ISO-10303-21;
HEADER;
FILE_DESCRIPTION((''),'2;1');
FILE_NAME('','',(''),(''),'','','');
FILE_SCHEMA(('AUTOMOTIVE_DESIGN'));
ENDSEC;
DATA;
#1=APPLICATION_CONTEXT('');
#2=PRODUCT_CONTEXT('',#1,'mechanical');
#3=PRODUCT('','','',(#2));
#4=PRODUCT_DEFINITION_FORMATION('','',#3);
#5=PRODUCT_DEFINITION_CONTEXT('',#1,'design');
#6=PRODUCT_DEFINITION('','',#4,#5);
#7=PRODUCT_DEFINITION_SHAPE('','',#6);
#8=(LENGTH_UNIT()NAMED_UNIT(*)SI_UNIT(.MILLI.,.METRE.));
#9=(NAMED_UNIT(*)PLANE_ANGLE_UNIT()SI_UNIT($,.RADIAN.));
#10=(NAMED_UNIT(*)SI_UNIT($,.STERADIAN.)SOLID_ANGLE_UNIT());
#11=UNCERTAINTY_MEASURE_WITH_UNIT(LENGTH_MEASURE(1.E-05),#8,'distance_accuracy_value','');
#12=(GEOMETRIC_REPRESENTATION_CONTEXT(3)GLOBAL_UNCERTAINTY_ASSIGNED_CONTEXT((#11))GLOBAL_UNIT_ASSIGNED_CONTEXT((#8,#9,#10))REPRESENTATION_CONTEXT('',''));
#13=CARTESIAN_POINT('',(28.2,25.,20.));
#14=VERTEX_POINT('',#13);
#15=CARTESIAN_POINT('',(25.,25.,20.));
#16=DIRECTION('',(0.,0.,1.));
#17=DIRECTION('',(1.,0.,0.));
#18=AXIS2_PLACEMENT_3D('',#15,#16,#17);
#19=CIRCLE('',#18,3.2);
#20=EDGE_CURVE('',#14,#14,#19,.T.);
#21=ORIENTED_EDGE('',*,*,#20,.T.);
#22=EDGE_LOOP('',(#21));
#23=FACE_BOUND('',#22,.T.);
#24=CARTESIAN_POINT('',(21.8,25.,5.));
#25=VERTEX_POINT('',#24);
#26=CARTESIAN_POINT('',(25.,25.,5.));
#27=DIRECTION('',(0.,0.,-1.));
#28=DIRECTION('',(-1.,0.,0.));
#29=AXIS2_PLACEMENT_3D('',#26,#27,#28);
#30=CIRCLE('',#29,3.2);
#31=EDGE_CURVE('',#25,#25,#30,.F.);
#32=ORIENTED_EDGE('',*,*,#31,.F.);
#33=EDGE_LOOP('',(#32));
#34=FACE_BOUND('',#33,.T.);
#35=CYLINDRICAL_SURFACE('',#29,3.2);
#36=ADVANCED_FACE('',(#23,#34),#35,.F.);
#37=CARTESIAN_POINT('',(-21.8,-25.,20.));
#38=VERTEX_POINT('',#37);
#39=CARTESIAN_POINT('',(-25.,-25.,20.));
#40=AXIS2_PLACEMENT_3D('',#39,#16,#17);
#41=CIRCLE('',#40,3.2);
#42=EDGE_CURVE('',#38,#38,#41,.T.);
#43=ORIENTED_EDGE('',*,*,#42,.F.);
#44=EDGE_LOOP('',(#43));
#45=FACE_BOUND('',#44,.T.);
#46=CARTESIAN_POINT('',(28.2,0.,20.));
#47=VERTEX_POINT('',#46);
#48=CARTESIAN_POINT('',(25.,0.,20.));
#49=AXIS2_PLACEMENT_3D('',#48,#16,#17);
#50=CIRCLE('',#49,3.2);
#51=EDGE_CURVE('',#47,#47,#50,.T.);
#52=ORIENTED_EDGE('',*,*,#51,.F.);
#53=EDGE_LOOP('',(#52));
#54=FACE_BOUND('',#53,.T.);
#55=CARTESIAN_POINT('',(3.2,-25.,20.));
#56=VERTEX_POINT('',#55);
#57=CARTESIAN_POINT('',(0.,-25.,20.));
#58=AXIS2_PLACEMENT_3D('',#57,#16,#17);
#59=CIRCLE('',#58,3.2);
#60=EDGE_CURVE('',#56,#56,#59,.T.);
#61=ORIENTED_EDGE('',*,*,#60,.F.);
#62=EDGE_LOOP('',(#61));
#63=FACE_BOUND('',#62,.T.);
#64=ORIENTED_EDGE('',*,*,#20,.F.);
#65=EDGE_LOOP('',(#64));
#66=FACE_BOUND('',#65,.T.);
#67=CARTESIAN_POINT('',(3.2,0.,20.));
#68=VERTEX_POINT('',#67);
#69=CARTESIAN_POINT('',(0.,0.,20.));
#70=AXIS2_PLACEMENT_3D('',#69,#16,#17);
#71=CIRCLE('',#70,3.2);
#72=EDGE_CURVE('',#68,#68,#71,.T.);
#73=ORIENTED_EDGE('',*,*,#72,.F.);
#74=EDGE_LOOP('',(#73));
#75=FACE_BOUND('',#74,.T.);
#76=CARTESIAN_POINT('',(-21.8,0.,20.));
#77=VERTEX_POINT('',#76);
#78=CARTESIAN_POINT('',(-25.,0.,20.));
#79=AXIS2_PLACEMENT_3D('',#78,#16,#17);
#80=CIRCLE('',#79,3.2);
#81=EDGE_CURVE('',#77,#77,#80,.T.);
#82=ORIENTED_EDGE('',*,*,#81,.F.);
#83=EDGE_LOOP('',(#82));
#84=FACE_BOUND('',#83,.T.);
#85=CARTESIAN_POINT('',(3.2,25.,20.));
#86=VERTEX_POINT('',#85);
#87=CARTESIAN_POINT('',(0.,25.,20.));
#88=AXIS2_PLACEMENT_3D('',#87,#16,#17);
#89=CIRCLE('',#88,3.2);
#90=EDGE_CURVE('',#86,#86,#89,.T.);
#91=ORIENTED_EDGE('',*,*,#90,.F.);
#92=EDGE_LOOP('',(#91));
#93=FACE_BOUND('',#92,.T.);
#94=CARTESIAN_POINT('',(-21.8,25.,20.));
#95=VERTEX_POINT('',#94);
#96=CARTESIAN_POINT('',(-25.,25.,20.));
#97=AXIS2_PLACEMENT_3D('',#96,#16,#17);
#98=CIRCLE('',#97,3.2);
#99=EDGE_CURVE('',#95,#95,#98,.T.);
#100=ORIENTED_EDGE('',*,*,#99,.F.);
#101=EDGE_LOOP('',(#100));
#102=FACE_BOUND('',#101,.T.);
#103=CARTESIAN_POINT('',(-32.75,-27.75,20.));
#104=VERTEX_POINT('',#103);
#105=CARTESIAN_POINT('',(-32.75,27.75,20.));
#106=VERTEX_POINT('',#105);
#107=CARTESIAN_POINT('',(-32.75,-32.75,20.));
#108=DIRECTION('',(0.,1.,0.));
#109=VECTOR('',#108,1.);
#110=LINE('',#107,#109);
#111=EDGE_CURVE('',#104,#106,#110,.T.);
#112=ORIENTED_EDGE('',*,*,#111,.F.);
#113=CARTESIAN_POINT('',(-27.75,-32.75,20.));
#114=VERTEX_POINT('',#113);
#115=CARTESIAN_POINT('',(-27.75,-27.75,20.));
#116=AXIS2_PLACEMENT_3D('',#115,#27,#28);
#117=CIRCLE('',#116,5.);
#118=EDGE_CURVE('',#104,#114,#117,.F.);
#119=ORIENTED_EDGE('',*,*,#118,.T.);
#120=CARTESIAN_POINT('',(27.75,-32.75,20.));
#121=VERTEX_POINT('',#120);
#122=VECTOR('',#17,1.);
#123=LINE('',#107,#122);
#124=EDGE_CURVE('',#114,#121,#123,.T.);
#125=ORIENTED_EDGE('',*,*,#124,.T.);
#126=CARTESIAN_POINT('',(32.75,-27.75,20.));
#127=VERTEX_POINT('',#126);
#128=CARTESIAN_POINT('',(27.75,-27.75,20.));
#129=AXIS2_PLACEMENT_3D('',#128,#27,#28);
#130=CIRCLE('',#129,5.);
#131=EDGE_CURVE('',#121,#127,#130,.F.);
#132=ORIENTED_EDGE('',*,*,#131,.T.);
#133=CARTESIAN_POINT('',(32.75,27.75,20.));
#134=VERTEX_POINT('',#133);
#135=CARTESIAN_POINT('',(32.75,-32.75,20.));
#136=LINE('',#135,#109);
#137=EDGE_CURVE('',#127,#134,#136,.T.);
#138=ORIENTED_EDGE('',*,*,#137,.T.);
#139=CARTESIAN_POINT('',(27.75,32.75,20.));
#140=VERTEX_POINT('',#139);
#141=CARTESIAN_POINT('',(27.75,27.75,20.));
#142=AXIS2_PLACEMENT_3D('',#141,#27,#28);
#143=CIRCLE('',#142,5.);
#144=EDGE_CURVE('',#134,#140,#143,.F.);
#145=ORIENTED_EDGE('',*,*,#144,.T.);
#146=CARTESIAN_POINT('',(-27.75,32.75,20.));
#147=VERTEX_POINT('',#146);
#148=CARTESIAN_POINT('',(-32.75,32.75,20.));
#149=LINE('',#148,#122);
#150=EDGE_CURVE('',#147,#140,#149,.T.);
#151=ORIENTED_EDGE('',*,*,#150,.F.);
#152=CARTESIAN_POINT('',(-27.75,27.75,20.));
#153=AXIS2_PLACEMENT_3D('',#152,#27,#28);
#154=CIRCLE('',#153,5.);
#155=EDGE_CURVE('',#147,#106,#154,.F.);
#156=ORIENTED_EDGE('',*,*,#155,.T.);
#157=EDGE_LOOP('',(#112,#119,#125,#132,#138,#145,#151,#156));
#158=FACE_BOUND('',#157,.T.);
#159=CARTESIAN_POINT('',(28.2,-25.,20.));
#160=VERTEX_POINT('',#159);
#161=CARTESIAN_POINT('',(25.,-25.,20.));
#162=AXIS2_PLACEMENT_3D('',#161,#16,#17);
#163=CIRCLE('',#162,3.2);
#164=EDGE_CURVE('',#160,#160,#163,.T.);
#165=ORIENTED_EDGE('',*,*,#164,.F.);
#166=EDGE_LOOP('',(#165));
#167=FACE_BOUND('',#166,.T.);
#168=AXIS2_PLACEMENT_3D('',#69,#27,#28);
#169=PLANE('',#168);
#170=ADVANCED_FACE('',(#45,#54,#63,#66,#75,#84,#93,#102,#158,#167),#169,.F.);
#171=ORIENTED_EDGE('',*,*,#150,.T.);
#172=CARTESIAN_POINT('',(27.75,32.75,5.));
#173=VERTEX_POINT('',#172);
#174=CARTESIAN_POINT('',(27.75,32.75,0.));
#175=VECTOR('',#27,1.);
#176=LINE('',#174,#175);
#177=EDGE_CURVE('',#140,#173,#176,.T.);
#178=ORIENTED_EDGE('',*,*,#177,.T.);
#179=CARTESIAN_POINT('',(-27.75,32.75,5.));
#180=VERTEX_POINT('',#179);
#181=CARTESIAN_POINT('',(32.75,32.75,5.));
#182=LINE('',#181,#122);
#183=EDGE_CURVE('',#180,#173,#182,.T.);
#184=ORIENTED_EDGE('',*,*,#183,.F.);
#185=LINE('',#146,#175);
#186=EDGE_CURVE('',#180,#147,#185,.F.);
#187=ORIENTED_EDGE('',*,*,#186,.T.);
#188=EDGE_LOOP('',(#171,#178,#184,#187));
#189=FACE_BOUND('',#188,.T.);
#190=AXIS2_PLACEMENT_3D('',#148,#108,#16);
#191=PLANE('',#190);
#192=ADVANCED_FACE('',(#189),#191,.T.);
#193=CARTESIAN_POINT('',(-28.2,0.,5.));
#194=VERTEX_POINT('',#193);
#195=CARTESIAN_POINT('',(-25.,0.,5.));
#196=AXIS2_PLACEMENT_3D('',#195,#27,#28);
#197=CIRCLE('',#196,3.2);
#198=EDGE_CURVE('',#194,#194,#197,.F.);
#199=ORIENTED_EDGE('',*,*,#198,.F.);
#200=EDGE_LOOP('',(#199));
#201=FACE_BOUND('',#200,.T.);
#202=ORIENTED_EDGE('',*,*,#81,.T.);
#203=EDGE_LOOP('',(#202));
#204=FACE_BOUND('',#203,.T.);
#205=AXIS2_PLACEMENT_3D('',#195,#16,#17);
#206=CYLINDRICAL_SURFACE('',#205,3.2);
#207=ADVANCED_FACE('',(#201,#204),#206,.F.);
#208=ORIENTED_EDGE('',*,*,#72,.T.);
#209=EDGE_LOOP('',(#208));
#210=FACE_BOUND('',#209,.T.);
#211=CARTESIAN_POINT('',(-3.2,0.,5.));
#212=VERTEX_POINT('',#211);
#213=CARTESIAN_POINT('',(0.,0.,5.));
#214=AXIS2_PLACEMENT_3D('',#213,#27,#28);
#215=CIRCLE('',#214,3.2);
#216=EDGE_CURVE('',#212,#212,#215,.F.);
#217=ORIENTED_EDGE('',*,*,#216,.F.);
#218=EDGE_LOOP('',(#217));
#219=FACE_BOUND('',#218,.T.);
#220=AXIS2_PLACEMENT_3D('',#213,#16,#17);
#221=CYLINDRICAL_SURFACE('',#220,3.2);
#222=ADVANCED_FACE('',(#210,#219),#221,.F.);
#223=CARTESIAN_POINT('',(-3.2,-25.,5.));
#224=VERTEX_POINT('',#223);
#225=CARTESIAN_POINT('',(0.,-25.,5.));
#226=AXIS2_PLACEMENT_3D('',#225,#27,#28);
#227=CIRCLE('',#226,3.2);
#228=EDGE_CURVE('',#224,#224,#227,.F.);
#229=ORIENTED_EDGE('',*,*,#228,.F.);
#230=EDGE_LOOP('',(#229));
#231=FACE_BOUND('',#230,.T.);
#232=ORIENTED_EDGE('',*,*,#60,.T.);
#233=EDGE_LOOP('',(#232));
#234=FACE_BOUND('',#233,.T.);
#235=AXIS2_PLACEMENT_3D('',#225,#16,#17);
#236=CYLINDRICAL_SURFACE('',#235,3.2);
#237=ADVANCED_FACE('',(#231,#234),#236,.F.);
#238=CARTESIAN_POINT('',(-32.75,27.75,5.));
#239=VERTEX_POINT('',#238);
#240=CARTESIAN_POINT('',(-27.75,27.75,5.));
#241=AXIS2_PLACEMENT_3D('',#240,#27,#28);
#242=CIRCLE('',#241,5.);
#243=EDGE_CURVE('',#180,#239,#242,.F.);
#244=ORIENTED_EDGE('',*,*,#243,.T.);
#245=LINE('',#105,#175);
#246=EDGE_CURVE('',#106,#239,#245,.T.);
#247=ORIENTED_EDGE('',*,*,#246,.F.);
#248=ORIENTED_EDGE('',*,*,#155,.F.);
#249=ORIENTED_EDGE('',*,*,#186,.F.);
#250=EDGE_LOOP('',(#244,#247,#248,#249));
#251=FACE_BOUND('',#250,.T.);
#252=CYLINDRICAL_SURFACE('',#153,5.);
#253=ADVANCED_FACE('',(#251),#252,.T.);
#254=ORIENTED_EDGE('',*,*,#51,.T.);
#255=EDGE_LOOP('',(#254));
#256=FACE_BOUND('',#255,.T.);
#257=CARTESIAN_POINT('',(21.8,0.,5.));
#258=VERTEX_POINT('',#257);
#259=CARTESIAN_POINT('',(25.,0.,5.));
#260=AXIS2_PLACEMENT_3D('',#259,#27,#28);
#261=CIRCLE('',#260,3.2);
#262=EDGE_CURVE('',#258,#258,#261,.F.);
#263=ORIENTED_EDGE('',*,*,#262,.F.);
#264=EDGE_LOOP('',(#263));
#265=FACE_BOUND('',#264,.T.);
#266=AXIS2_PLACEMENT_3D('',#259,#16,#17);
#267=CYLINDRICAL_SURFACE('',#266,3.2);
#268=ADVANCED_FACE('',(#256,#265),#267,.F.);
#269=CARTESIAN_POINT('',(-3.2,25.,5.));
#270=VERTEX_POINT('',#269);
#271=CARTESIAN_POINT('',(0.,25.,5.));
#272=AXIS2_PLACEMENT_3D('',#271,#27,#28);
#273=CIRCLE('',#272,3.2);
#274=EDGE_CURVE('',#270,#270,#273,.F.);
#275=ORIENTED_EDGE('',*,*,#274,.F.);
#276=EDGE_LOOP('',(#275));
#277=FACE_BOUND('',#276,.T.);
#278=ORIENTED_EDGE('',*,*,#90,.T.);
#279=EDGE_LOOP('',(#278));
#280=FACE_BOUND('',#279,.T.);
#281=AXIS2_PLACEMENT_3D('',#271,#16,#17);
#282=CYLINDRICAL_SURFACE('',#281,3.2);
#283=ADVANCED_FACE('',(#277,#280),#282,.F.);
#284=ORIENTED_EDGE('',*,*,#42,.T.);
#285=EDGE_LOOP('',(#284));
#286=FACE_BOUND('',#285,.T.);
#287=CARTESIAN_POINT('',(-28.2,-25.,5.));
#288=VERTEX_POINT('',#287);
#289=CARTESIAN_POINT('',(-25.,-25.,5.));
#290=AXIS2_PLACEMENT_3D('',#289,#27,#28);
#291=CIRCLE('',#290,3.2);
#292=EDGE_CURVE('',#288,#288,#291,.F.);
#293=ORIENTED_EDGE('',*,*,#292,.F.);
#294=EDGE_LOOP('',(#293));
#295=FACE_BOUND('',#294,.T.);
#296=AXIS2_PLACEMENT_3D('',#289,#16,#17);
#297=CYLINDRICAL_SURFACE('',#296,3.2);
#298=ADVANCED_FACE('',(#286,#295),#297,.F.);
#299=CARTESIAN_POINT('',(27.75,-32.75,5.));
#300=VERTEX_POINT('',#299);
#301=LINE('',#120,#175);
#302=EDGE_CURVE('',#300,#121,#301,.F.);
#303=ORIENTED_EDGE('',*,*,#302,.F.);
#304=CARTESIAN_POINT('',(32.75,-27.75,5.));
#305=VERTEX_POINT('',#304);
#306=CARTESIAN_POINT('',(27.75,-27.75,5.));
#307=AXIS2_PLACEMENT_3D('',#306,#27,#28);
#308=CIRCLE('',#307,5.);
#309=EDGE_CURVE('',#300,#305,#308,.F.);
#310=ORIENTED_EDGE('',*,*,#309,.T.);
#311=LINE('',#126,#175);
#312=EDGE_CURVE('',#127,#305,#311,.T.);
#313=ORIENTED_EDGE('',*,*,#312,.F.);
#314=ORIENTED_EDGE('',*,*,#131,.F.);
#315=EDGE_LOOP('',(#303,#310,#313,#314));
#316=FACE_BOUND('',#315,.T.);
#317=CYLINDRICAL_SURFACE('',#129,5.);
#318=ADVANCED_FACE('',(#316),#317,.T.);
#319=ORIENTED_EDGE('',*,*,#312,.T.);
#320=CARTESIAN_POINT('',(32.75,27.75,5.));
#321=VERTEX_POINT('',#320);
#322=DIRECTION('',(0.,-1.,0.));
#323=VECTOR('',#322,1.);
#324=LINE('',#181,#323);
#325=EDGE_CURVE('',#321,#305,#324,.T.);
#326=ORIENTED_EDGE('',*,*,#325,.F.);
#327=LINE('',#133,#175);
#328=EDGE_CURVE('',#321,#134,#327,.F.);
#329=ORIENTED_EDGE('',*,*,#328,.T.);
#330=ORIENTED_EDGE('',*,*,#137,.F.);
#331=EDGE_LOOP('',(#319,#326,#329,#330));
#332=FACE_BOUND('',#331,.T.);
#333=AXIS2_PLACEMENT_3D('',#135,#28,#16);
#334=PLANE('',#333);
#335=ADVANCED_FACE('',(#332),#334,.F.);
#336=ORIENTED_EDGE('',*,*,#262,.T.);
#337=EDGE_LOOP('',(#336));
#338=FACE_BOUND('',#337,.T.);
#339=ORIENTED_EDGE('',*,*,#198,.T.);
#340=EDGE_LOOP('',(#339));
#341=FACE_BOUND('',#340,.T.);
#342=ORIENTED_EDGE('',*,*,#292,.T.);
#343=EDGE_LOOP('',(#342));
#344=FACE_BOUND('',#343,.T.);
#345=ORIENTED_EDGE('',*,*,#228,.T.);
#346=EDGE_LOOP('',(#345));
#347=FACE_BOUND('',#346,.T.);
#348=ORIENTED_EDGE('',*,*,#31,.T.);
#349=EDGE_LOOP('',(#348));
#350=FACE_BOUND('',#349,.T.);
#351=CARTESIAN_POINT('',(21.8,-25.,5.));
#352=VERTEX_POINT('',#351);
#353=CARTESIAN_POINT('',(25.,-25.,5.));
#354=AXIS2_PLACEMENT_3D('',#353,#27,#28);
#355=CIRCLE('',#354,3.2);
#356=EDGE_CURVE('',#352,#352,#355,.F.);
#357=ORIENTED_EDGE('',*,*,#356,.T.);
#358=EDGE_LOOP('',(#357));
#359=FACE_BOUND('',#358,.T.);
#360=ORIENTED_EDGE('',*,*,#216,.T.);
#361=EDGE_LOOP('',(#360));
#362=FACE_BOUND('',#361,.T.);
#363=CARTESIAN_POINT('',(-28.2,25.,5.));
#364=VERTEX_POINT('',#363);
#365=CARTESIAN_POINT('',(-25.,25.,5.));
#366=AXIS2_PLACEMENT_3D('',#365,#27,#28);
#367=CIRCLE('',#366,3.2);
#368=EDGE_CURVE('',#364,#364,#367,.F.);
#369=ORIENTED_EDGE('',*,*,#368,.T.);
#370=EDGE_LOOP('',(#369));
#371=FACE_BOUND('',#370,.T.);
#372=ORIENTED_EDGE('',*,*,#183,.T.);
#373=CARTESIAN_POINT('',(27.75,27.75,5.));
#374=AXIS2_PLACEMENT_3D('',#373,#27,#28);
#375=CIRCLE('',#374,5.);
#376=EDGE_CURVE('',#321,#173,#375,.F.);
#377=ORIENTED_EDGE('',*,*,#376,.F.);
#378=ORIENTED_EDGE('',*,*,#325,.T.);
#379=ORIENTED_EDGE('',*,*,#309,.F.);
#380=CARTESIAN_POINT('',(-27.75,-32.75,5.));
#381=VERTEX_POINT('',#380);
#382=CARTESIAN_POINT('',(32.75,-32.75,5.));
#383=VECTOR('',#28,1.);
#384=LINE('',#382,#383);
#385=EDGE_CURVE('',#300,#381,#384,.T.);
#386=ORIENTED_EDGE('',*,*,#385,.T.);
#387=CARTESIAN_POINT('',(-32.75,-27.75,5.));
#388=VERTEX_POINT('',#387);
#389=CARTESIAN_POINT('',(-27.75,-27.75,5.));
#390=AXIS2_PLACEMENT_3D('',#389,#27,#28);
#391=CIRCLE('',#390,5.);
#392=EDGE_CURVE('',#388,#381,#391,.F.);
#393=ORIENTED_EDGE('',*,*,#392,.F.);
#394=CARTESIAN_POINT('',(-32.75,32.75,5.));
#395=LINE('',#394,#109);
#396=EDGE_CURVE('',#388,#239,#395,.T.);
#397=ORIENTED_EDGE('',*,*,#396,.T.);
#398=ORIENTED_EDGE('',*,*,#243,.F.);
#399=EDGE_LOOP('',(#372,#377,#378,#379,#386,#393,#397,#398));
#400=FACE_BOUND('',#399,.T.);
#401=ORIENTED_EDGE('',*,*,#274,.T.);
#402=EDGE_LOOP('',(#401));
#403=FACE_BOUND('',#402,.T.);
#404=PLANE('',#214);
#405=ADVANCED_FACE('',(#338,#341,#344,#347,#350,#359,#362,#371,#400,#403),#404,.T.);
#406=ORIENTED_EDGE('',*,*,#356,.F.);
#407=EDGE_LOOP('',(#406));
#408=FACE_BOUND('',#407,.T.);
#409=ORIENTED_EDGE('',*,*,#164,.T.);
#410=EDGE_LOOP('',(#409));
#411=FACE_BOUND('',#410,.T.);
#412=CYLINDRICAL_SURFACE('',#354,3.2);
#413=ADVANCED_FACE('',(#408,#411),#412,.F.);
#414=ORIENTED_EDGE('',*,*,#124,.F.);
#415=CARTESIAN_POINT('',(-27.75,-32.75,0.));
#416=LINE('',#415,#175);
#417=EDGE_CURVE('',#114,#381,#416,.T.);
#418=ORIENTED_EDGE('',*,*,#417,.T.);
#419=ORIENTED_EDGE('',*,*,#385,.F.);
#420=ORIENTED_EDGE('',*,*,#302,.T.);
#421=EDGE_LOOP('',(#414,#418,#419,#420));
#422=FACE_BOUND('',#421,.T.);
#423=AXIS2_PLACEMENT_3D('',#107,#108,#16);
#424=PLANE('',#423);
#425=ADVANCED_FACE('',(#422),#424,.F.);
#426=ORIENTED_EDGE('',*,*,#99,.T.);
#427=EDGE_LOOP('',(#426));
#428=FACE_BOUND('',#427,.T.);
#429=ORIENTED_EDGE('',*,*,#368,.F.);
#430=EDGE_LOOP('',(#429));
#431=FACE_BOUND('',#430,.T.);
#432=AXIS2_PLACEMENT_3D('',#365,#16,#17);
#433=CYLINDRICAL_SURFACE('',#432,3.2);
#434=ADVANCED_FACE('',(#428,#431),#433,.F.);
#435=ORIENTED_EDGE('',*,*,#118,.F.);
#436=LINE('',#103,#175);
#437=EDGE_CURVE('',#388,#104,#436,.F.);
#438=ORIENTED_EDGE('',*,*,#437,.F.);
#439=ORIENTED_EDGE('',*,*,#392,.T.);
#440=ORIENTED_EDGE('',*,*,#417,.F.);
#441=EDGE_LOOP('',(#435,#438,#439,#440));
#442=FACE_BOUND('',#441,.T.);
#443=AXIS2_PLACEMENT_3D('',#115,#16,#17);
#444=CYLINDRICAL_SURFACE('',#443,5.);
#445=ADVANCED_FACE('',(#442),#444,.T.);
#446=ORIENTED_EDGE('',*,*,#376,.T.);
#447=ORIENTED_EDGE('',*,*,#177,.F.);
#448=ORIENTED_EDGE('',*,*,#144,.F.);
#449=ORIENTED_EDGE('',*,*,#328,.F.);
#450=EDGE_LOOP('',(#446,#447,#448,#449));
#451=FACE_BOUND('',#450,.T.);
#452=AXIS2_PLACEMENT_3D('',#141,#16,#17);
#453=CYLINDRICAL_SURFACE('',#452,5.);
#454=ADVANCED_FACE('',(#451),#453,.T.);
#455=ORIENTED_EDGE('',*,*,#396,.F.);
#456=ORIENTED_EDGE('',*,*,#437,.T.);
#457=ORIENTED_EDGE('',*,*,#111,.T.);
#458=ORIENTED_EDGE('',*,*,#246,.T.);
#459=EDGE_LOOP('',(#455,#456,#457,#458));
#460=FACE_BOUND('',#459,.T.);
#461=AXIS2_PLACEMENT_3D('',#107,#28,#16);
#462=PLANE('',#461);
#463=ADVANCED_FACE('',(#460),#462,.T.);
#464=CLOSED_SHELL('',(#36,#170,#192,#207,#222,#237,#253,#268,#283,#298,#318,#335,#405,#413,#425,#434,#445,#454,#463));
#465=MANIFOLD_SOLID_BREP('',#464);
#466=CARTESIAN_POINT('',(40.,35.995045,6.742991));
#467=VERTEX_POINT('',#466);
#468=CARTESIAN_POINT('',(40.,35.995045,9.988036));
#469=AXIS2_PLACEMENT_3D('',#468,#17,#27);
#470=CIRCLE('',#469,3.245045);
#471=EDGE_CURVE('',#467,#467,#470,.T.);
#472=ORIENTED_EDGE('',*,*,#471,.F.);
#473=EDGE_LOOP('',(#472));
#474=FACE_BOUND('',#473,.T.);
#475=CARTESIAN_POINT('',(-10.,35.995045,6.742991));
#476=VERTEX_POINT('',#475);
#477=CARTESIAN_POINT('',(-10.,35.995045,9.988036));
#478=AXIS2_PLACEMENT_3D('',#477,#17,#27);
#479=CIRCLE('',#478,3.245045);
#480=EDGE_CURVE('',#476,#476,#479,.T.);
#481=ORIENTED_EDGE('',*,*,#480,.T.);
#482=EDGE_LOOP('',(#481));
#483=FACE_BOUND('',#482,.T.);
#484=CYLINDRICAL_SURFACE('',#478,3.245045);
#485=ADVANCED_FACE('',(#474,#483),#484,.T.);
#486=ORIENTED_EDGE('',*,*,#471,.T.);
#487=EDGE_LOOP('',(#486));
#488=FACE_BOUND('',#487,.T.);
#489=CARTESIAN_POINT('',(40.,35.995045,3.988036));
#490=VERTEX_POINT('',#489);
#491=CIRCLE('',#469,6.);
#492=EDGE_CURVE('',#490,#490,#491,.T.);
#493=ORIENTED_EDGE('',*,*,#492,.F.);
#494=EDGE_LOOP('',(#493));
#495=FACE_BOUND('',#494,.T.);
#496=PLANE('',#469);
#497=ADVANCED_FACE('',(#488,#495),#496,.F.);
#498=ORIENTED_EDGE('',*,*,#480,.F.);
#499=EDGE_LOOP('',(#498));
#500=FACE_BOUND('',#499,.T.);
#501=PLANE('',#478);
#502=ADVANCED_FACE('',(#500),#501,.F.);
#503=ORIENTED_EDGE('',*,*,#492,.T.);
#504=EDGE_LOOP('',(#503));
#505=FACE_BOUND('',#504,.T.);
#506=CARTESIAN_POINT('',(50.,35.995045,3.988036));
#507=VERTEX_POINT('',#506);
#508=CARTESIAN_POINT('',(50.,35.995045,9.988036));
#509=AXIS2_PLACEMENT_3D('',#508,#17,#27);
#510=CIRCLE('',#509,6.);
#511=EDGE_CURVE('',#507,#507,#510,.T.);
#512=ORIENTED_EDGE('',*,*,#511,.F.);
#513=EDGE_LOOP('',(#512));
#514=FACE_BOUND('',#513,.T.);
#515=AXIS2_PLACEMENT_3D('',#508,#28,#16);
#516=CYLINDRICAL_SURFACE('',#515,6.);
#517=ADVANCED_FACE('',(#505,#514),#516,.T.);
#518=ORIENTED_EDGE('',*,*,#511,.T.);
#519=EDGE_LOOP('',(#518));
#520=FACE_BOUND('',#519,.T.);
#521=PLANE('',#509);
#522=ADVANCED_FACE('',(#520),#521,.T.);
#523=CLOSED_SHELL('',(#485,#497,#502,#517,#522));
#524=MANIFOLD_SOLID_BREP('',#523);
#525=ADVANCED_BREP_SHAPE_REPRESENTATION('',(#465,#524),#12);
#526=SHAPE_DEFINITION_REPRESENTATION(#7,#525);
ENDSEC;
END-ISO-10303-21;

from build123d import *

# Parameters (mm, degrees)
SKETCH_1_W           = 65.5
SKETCH_1_H           = 65.5
EXTRUDE_1_DEPTH      = 20
FILLET_1_R           = 5
EXTRUDE_2_DEPTH      = 40
EXTRUDE_2_DEPTH_BACK = 10
SKETCH_5_R           = 3.245044742
SKETCH_6_R           = 6
EXTRUDE_3_DEPTH      = 10
SKETCH_7_R           = 3.2
CUT_EXTRUDE_2_DEPTH  = 5
CUT_EXTRUDE_START    = -15
SKETCH_3_R           = 3.2
CUT_EXTRUDE_3_DEPTH  = 15
SKETCH_9_W           = 65.5
SKETCH_9_H           = 65.5
CUT_EXTRUDE_5_DEPTH  = 5


with BuildPart() as part:
    # 스케치1 → 보스-돌출1 (new body)
    with BuildSketch(Plane.XY):
        Rectangle(SKETCH_1_W, SKETCH_1_H)
    extrude(amount=EXTRUDE_1_DEPTH)

    # 필렛1
    fillet_1_edges = [part.edges().sort_by_distance(p)[0] for p in [
        (-32.75, -32.75, 10),
        (32.75, -32.75, 10),
        (32.75, 32.75, 10),
        (-32.75, 32.75, 10),
    ]]
    fillet(fillet_1_edges, radius=FILLET_1_R)

    # 스케치7 → 컷-돌출2 (cut)
    with BuildSketch(Plane(origin=(0, 0, 0), x_dir=(-1, 0, 0), z_dir=(0, 0, -1))):
        with Locations((-25, -25)):
            Circle(SKETCH_7_R)
        with Locations((-25, 25)):
            Circle(SKETCH_7_R)
    extrude(amount=-CUT_EXTRUDE_2_DEPTH, mode=Mode.SUBTRACT)

    # 스케치3 → 컷-돌출3 (cut)
    with BuildSketch(Plane.XY.offset(20).offset(CUT_EXTRUDE_START)):
        with Locations(Location((25, -25, 0), (0, 0, 180))):
            Circle(SKETCH_3_R)
        with Locations(Location((25, 25, 0), (0, 0, 180))):
            Circle(SKETCH_3_R)
        with Locations((25, 0)):
            Circle(SKETCH_3_R)
        with Locations((0, -25)):
            Circle(SKETCH_3_R)
        with Locations((0, 25)):
            Circle(SKETCH_3_R)
        Circle(SKETCH_3_R)
        with Locations((-25, -25)):
            Circle(SKETCH_3_R)
        with Locations((-25, 25)):
            Circle(SKETCH_3_R)
        with Locations((-25, 0)):
            Circle(SKETCH_3_R)
    extrude(amount=CUT_EXTRUDE_3_DEPTH, mode=Mode.SUBTRACT)

    # 스케치9 → 컷-돌출5 (cut)
    with BuildSketch(Plane(origin=(0, 0, 0), x_dir=(-1, 0, 0), z_dir=(0, 0, -1))):
        Rectangle(SKETCH_9_W, SKETCH_9_H)
    extrude(amount=-CUT_EXTRUDE_5_DEPTH, mode=Mode.SUBTRACT)


with BuildPart() as body_2:
    # 스케치5 → 보스-돌출2 (new, two sides: drawn at the far end of the back side and taken through both)
    with BuildSketch(Plane(origin=(0, 0, 0), x_dir=(0, 0, -1), z_dir=(1, 0, 0)).offset(-EXTRUDE_2_DEPTH_BACK)):
        with Locations((-9.988036098, 35.995044742)):
            Circle(SKETCH_5_R)
    extrude(amount=EXTRUDE_2_DEPTH + EXTRUDE_2_DEPTH_BACK)

    # 스케치6 → 보스-돌출3 (add)
    with BuildSketch(Plane(origin=(40, 0, 0), x_dir=(0, 0, -1), z_dir=(1, 0, 0))):
        with Locations((-9.988036098, 35.995044742)):
            Circle(SKETCH_6_R)
    extrude(amount=EXTRUDE_3_DEPTH)


solid = Compound([part.part, body_2.part])
